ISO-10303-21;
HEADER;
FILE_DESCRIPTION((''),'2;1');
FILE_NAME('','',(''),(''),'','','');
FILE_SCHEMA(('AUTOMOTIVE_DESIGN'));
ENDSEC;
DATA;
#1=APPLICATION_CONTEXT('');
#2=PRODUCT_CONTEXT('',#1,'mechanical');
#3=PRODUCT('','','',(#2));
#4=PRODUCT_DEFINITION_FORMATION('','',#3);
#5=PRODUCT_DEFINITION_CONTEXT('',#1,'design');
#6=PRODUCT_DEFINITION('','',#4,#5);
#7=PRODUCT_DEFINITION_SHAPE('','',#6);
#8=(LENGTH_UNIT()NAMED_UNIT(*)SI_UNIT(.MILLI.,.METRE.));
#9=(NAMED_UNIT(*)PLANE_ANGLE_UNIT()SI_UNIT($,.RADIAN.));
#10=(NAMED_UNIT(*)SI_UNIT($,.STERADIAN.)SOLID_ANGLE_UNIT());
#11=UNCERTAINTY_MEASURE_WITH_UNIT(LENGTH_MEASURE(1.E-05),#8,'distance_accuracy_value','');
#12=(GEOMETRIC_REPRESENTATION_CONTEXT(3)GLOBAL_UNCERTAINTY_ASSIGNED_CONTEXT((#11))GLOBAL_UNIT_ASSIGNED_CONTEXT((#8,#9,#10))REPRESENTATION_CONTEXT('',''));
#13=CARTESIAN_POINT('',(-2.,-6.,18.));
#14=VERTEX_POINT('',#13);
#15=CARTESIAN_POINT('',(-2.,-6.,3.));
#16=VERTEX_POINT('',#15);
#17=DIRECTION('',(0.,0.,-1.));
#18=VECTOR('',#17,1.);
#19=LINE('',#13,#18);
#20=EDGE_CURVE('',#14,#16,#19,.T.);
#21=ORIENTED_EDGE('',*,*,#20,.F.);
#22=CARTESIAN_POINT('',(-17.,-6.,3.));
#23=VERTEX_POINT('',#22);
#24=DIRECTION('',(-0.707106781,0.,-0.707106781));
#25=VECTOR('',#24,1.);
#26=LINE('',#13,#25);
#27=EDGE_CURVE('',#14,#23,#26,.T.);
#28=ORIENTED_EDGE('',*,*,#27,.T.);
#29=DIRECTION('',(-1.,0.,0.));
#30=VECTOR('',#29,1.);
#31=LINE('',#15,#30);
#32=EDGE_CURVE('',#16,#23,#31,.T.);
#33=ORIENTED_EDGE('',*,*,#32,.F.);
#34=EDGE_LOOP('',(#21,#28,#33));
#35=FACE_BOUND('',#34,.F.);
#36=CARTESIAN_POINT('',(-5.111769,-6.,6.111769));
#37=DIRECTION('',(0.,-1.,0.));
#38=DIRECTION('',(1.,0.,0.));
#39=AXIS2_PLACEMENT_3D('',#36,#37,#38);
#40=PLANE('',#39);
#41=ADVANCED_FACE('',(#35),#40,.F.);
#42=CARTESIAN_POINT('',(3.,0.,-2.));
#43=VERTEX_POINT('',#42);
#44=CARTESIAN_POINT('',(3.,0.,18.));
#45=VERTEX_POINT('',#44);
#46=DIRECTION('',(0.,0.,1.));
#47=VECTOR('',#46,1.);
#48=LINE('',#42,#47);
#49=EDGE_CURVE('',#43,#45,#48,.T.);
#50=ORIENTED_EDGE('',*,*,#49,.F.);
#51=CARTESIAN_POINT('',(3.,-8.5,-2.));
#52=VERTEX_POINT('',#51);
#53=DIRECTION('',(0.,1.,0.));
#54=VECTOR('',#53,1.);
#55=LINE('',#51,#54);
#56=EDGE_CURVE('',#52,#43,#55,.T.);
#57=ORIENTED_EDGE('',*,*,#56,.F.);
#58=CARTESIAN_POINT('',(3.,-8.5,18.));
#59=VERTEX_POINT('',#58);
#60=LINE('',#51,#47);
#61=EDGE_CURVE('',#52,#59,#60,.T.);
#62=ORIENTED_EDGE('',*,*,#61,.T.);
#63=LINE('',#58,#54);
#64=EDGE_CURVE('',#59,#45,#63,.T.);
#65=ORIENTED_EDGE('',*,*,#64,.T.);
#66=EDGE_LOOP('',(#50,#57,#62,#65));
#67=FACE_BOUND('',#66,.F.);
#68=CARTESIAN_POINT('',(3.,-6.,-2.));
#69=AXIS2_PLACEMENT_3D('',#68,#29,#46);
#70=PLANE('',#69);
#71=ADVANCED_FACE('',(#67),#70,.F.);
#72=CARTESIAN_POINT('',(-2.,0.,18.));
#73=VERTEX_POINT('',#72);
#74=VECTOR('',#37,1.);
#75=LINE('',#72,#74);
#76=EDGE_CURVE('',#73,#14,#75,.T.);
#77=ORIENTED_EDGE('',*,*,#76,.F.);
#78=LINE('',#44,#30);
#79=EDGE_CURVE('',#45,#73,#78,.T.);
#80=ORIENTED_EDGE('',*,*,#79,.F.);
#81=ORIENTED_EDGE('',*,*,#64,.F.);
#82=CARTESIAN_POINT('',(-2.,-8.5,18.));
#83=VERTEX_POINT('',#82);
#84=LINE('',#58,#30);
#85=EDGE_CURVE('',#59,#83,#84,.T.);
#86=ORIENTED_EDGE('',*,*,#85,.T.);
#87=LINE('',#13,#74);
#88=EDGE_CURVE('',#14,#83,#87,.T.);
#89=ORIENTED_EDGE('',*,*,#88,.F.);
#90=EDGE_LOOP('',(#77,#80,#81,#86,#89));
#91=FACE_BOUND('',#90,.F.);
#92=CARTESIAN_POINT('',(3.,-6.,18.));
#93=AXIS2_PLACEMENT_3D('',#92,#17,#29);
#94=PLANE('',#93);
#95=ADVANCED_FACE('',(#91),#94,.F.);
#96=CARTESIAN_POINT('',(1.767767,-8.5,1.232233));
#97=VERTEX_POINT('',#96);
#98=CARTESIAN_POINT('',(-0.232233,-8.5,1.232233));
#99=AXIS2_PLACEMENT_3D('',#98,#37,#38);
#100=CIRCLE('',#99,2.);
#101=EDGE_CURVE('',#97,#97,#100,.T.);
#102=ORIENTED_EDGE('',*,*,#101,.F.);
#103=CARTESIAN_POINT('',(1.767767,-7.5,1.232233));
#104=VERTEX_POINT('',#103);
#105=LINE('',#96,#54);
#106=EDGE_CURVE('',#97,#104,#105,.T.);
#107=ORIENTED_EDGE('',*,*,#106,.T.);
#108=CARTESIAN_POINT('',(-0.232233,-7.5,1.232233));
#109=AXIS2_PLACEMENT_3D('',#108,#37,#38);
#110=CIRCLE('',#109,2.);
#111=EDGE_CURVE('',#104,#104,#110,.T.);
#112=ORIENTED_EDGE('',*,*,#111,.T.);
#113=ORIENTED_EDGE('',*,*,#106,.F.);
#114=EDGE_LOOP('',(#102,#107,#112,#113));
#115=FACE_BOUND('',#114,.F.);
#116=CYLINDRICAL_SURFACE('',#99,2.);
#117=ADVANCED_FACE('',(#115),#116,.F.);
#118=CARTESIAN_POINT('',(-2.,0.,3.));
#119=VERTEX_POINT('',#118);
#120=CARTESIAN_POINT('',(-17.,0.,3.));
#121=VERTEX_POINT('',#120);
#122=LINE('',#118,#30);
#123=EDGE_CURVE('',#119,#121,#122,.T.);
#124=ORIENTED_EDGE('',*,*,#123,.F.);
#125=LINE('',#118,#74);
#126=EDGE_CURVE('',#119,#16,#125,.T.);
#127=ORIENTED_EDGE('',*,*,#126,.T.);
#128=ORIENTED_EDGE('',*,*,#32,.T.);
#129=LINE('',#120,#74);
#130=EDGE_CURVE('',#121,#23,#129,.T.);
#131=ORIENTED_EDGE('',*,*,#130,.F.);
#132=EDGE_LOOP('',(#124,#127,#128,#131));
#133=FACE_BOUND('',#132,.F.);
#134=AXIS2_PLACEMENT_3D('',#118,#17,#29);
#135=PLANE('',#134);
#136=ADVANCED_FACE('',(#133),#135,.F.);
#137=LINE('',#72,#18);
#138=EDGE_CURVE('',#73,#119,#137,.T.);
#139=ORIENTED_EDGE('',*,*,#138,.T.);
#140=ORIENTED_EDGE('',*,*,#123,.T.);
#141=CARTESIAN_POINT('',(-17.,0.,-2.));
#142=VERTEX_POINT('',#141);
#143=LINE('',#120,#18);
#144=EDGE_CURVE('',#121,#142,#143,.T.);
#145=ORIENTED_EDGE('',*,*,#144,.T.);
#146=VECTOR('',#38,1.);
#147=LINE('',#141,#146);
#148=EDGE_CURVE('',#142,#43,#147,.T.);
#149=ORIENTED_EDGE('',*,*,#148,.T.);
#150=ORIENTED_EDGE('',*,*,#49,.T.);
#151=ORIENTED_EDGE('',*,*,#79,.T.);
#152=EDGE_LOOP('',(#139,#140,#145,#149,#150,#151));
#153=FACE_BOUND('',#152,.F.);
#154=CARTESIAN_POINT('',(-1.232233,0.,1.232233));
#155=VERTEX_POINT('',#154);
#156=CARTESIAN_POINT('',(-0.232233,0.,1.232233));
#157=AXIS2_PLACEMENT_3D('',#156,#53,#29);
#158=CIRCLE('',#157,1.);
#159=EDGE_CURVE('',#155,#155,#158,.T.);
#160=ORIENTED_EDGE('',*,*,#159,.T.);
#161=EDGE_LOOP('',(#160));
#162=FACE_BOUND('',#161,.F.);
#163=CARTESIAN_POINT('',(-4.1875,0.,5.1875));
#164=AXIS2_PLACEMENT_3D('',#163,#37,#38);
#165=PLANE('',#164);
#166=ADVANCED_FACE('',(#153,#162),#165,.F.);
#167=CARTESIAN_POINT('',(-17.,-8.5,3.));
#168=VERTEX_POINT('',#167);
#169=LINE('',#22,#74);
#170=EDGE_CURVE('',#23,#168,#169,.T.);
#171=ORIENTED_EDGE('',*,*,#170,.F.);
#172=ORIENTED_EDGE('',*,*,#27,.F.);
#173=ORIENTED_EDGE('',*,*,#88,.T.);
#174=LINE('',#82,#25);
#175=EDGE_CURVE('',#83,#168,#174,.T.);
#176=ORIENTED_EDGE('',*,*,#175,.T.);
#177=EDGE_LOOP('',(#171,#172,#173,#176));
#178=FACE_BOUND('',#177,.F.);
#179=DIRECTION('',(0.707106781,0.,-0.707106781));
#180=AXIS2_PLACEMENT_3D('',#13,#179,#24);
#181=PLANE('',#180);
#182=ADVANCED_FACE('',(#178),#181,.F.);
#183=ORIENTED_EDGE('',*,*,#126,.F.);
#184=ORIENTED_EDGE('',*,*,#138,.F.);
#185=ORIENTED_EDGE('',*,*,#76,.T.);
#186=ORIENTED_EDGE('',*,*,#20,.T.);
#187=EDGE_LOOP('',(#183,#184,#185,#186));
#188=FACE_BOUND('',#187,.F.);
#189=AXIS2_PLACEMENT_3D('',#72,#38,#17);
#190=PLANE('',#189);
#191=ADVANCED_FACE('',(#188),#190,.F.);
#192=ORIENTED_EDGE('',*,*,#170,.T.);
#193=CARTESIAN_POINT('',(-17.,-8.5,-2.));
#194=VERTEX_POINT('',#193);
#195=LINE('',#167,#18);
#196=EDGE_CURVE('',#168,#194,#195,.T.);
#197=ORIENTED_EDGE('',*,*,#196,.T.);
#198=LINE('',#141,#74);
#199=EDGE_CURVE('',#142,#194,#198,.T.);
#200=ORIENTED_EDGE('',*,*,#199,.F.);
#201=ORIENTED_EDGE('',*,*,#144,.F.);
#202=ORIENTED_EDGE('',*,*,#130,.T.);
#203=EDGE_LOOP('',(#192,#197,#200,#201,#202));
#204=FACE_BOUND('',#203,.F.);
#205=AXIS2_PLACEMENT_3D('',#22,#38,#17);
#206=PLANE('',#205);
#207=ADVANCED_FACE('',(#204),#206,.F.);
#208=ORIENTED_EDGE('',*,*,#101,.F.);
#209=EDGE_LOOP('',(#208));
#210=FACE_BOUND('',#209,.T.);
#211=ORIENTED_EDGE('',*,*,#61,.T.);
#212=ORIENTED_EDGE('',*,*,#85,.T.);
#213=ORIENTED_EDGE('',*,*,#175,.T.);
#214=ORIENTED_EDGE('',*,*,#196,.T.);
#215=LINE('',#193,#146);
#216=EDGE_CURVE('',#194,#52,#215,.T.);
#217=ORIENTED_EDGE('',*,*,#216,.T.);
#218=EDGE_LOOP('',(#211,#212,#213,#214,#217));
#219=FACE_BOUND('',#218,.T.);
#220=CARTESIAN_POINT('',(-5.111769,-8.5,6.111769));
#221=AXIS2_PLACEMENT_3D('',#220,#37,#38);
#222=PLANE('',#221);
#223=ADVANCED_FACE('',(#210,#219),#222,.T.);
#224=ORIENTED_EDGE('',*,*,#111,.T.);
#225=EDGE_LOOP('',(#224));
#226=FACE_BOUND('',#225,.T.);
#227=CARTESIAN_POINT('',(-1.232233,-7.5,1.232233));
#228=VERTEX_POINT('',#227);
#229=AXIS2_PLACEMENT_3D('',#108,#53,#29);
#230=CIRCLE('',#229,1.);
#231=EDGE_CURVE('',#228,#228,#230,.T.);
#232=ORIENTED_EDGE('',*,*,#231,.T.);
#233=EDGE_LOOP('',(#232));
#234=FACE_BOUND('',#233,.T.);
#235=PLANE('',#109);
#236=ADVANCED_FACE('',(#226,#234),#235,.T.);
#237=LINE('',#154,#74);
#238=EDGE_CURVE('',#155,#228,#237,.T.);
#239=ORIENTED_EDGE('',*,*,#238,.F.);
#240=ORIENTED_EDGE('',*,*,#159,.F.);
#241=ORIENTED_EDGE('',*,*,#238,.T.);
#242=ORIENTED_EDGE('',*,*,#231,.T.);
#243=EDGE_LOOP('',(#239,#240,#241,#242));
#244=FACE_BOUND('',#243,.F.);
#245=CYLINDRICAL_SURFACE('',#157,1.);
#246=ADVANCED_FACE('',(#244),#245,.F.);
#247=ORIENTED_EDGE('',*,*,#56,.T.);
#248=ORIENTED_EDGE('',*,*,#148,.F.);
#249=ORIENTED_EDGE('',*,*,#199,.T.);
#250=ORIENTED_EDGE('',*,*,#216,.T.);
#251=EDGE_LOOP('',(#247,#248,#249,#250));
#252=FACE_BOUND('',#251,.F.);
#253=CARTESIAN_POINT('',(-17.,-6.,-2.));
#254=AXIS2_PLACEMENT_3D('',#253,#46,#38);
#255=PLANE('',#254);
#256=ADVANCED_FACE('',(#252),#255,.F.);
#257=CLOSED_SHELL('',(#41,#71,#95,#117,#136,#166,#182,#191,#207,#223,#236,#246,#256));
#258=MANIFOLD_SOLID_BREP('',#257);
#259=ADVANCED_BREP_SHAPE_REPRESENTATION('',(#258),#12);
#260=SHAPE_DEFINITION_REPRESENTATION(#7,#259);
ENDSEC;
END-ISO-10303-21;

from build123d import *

# Parameters (mm, degrees)
F1_DEPTH = 6
F3_DEPTH = 2.5
F4_R     = 1
F5_DEPTH = 8.501
F6_R     = 2
F7_DEPTH = 1


with BuildPart() as f1:
    # F0 (on Front) → F1 (new body)
    with BuildSketch(Plane.XZ):
        Polygon((3, -2), (3, 18), (-2, 18), (-2, 3), (-17, 3), (-17, -2), align=None)
    extrude(amount=F1_DEPTH)

    # F2 (on face) → F3 (join)
    with BuildSketch(Plane.XZ.offset(6)):
        Polygon((-2, 18), (-17, 3), (-17, -2), (3, -2), (3, 18), align=None)
    extrude(amount=F3_DEPTH)

    # F4 (on face) → F5 (cut, through all)
    with BuildSketch(Plane(origin=(0, 0, 0), x_dir=(-1, 0, 0), z_dir=(0, 1, 0))):
        with Locations((0.232233, 1.232233)):
            Circle(F4_R)
    extrude(amount=-F5_DEPTH, mode=Mode.SUBTRACT)

    # F6 (on face) → F7 (cut)
    with BuildSketch(Plane.XZ.offset(8.5)):
        with Locations((-0.232233, 1.232233)):
            Circle(F6_R)
    extrude(amount=-F7_DEPTH, mode=Mode.SUBTRACT)


solid = f1.part
